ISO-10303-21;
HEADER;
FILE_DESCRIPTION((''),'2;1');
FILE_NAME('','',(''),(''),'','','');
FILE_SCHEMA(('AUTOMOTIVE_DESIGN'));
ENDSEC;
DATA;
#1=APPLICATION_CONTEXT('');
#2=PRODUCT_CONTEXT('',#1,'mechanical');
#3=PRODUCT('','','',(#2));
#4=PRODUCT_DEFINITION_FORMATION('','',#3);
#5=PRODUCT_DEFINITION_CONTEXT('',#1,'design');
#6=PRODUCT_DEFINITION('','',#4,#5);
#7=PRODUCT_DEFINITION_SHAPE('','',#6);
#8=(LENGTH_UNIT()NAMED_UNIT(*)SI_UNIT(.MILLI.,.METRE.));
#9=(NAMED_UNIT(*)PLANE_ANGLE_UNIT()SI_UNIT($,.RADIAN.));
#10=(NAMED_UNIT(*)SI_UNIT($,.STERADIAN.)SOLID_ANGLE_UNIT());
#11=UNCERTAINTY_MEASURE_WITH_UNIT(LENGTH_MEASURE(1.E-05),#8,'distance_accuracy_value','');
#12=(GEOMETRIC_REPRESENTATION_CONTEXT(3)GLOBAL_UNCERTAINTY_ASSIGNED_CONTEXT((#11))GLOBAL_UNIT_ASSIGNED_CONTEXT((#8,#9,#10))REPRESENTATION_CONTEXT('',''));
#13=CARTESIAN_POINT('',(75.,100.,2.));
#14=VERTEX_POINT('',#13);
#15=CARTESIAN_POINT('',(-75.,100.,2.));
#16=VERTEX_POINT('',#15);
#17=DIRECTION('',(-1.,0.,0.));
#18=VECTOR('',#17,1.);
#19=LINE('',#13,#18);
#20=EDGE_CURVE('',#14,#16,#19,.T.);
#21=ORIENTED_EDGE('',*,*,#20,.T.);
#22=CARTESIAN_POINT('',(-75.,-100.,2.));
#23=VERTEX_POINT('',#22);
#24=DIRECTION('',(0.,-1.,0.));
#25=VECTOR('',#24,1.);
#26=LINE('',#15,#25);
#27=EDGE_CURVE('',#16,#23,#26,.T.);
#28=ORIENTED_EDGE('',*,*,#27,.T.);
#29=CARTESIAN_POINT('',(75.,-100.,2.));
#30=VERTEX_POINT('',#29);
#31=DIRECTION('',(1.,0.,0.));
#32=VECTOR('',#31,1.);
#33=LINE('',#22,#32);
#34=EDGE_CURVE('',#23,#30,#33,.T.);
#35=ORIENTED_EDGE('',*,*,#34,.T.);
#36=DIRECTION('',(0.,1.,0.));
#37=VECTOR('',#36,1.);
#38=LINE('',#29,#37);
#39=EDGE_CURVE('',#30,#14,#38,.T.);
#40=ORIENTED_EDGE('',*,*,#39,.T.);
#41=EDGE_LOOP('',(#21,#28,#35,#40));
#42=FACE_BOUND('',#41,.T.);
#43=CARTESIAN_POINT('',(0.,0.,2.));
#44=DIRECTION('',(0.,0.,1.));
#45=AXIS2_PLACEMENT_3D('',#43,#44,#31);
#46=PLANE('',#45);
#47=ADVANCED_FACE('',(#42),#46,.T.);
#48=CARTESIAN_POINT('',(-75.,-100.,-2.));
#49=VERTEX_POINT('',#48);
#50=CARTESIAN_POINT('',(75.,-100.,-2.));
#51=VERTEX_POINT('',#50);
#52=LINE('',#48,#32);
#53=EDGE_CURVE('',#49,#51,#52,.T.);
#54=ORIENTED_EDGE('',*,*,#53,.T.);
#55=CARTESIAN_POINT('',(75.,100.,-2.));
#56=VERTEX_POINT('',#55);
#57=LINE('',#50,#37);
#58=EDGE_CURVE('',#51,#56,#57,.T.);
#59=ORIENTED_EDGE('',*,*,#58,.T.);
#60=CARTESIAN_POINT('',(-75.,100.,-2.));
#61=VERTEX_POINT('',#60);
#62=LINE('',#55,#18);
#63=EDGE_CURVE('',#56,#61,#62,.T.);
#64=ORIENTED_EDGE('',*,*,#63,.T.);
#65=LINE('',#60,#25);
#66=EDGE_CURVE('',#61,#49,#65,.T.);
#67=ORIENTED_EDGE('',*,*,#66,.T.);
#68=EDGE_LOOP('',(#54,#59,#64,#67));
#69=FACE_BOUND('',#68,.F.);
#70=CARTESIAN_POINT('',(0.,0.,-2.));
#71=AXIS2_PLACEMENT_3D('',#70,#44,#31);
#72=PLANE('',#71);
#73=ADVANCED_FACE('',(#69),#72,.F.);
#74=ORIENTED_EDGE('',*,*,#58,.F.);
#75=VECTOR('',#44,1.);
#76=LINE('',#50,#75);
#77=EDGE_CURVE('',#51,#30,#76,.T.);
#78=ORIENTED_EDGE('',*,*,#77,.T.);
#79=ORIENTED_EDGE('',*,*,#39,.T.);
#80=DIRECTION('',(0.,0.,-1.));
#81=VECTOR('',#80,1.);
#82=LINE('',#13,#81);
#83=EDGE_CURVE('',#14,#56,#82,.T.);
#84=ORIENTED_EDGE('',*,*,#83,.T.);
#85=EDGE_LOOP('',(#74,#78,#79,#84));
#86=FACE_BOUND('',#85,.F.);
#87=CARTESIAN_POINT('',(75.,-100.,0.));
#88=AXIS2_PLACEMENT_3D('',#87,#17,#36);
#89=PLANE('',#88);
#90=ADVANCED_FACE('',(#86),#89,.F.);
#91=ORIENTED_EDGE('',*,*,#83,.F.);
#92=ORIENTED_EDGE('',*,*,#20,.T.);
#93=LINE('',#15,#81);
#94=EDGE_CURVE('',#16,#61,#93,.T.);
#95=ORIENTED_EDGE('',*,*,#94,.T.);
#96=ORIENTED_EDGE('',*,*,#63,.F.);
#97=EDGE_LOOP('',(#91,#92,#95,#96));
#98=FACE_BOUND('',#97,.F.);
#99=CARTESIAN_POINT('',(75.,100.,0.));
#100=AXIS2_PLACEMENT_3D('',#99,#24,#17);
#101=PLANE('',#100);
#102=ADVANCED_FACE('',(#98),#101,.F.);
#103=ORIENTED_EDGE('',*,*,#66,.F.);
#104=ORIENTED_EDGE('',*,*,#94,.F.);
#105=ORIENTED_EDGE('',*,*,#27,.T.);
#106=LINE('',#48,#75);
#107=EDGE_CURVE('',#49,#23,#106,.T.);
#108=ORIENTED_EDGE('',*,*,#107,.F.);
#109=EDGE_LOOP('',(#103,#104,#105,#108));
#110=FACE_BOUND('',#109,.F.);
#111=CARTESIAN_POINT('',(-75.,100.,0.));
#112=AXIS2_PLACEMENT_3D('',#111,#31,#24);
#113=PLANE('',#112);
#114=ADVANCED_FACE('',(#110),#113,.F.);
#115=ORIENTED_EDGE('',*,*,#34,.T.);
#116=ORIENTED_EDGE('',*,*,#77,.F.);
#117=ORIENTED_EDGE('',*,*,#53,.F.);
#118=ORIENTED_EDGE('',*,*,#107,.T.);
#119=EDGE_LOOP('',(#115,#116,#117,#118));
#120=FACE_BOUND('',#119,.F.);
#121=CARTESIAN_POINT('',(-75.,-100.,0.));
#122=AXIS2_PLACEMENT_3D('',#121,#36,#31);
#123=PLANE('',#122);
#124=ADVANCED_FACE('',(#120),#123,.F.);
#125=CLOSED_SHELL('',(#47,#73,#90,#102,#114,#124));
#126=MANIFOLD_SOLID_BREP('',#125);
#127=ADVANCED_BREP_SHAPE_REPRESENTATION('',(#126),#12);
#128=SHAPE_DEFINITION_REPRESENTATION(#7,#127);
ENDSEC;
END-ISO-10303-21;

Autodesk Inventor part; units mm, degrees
ref_plane "YZ Plane" through (0, 0, 0) normal (1, 0, 0) x (0, 1, 0)
ref_plane "XZ Plane" through (0, 0, 0) normal (0, 1, 0) x (-1, 0, 0)
ref_plane "XY Plane" through (0, 0, 0) normal (0, 0, 1) x (1, 0, 0)
sketch "Эскиз1" plane through (0, 0, 0) normal (0, 0, 1) x (1, 0, 0)
  line L0 (-75, -100) -> (75, -100)
  line L1 (75, -100) -> (75, 100)
  line L2 (75, 100) -> (-75, 100)
  line L3 (-75, 100) -> (-75, -100)
  line L4 (-75, -100) -> (75, 100) construction
  line L5 (75, -100) -> (-75, 100) construction
  point P0 (0, 0)
  dimension "d0" = 200
  dimension "d1" = 150
extrude "Выдавливание1" add sketch "Эскиз1" along normal mid plane 4
properties part number "Боковые стенки"
